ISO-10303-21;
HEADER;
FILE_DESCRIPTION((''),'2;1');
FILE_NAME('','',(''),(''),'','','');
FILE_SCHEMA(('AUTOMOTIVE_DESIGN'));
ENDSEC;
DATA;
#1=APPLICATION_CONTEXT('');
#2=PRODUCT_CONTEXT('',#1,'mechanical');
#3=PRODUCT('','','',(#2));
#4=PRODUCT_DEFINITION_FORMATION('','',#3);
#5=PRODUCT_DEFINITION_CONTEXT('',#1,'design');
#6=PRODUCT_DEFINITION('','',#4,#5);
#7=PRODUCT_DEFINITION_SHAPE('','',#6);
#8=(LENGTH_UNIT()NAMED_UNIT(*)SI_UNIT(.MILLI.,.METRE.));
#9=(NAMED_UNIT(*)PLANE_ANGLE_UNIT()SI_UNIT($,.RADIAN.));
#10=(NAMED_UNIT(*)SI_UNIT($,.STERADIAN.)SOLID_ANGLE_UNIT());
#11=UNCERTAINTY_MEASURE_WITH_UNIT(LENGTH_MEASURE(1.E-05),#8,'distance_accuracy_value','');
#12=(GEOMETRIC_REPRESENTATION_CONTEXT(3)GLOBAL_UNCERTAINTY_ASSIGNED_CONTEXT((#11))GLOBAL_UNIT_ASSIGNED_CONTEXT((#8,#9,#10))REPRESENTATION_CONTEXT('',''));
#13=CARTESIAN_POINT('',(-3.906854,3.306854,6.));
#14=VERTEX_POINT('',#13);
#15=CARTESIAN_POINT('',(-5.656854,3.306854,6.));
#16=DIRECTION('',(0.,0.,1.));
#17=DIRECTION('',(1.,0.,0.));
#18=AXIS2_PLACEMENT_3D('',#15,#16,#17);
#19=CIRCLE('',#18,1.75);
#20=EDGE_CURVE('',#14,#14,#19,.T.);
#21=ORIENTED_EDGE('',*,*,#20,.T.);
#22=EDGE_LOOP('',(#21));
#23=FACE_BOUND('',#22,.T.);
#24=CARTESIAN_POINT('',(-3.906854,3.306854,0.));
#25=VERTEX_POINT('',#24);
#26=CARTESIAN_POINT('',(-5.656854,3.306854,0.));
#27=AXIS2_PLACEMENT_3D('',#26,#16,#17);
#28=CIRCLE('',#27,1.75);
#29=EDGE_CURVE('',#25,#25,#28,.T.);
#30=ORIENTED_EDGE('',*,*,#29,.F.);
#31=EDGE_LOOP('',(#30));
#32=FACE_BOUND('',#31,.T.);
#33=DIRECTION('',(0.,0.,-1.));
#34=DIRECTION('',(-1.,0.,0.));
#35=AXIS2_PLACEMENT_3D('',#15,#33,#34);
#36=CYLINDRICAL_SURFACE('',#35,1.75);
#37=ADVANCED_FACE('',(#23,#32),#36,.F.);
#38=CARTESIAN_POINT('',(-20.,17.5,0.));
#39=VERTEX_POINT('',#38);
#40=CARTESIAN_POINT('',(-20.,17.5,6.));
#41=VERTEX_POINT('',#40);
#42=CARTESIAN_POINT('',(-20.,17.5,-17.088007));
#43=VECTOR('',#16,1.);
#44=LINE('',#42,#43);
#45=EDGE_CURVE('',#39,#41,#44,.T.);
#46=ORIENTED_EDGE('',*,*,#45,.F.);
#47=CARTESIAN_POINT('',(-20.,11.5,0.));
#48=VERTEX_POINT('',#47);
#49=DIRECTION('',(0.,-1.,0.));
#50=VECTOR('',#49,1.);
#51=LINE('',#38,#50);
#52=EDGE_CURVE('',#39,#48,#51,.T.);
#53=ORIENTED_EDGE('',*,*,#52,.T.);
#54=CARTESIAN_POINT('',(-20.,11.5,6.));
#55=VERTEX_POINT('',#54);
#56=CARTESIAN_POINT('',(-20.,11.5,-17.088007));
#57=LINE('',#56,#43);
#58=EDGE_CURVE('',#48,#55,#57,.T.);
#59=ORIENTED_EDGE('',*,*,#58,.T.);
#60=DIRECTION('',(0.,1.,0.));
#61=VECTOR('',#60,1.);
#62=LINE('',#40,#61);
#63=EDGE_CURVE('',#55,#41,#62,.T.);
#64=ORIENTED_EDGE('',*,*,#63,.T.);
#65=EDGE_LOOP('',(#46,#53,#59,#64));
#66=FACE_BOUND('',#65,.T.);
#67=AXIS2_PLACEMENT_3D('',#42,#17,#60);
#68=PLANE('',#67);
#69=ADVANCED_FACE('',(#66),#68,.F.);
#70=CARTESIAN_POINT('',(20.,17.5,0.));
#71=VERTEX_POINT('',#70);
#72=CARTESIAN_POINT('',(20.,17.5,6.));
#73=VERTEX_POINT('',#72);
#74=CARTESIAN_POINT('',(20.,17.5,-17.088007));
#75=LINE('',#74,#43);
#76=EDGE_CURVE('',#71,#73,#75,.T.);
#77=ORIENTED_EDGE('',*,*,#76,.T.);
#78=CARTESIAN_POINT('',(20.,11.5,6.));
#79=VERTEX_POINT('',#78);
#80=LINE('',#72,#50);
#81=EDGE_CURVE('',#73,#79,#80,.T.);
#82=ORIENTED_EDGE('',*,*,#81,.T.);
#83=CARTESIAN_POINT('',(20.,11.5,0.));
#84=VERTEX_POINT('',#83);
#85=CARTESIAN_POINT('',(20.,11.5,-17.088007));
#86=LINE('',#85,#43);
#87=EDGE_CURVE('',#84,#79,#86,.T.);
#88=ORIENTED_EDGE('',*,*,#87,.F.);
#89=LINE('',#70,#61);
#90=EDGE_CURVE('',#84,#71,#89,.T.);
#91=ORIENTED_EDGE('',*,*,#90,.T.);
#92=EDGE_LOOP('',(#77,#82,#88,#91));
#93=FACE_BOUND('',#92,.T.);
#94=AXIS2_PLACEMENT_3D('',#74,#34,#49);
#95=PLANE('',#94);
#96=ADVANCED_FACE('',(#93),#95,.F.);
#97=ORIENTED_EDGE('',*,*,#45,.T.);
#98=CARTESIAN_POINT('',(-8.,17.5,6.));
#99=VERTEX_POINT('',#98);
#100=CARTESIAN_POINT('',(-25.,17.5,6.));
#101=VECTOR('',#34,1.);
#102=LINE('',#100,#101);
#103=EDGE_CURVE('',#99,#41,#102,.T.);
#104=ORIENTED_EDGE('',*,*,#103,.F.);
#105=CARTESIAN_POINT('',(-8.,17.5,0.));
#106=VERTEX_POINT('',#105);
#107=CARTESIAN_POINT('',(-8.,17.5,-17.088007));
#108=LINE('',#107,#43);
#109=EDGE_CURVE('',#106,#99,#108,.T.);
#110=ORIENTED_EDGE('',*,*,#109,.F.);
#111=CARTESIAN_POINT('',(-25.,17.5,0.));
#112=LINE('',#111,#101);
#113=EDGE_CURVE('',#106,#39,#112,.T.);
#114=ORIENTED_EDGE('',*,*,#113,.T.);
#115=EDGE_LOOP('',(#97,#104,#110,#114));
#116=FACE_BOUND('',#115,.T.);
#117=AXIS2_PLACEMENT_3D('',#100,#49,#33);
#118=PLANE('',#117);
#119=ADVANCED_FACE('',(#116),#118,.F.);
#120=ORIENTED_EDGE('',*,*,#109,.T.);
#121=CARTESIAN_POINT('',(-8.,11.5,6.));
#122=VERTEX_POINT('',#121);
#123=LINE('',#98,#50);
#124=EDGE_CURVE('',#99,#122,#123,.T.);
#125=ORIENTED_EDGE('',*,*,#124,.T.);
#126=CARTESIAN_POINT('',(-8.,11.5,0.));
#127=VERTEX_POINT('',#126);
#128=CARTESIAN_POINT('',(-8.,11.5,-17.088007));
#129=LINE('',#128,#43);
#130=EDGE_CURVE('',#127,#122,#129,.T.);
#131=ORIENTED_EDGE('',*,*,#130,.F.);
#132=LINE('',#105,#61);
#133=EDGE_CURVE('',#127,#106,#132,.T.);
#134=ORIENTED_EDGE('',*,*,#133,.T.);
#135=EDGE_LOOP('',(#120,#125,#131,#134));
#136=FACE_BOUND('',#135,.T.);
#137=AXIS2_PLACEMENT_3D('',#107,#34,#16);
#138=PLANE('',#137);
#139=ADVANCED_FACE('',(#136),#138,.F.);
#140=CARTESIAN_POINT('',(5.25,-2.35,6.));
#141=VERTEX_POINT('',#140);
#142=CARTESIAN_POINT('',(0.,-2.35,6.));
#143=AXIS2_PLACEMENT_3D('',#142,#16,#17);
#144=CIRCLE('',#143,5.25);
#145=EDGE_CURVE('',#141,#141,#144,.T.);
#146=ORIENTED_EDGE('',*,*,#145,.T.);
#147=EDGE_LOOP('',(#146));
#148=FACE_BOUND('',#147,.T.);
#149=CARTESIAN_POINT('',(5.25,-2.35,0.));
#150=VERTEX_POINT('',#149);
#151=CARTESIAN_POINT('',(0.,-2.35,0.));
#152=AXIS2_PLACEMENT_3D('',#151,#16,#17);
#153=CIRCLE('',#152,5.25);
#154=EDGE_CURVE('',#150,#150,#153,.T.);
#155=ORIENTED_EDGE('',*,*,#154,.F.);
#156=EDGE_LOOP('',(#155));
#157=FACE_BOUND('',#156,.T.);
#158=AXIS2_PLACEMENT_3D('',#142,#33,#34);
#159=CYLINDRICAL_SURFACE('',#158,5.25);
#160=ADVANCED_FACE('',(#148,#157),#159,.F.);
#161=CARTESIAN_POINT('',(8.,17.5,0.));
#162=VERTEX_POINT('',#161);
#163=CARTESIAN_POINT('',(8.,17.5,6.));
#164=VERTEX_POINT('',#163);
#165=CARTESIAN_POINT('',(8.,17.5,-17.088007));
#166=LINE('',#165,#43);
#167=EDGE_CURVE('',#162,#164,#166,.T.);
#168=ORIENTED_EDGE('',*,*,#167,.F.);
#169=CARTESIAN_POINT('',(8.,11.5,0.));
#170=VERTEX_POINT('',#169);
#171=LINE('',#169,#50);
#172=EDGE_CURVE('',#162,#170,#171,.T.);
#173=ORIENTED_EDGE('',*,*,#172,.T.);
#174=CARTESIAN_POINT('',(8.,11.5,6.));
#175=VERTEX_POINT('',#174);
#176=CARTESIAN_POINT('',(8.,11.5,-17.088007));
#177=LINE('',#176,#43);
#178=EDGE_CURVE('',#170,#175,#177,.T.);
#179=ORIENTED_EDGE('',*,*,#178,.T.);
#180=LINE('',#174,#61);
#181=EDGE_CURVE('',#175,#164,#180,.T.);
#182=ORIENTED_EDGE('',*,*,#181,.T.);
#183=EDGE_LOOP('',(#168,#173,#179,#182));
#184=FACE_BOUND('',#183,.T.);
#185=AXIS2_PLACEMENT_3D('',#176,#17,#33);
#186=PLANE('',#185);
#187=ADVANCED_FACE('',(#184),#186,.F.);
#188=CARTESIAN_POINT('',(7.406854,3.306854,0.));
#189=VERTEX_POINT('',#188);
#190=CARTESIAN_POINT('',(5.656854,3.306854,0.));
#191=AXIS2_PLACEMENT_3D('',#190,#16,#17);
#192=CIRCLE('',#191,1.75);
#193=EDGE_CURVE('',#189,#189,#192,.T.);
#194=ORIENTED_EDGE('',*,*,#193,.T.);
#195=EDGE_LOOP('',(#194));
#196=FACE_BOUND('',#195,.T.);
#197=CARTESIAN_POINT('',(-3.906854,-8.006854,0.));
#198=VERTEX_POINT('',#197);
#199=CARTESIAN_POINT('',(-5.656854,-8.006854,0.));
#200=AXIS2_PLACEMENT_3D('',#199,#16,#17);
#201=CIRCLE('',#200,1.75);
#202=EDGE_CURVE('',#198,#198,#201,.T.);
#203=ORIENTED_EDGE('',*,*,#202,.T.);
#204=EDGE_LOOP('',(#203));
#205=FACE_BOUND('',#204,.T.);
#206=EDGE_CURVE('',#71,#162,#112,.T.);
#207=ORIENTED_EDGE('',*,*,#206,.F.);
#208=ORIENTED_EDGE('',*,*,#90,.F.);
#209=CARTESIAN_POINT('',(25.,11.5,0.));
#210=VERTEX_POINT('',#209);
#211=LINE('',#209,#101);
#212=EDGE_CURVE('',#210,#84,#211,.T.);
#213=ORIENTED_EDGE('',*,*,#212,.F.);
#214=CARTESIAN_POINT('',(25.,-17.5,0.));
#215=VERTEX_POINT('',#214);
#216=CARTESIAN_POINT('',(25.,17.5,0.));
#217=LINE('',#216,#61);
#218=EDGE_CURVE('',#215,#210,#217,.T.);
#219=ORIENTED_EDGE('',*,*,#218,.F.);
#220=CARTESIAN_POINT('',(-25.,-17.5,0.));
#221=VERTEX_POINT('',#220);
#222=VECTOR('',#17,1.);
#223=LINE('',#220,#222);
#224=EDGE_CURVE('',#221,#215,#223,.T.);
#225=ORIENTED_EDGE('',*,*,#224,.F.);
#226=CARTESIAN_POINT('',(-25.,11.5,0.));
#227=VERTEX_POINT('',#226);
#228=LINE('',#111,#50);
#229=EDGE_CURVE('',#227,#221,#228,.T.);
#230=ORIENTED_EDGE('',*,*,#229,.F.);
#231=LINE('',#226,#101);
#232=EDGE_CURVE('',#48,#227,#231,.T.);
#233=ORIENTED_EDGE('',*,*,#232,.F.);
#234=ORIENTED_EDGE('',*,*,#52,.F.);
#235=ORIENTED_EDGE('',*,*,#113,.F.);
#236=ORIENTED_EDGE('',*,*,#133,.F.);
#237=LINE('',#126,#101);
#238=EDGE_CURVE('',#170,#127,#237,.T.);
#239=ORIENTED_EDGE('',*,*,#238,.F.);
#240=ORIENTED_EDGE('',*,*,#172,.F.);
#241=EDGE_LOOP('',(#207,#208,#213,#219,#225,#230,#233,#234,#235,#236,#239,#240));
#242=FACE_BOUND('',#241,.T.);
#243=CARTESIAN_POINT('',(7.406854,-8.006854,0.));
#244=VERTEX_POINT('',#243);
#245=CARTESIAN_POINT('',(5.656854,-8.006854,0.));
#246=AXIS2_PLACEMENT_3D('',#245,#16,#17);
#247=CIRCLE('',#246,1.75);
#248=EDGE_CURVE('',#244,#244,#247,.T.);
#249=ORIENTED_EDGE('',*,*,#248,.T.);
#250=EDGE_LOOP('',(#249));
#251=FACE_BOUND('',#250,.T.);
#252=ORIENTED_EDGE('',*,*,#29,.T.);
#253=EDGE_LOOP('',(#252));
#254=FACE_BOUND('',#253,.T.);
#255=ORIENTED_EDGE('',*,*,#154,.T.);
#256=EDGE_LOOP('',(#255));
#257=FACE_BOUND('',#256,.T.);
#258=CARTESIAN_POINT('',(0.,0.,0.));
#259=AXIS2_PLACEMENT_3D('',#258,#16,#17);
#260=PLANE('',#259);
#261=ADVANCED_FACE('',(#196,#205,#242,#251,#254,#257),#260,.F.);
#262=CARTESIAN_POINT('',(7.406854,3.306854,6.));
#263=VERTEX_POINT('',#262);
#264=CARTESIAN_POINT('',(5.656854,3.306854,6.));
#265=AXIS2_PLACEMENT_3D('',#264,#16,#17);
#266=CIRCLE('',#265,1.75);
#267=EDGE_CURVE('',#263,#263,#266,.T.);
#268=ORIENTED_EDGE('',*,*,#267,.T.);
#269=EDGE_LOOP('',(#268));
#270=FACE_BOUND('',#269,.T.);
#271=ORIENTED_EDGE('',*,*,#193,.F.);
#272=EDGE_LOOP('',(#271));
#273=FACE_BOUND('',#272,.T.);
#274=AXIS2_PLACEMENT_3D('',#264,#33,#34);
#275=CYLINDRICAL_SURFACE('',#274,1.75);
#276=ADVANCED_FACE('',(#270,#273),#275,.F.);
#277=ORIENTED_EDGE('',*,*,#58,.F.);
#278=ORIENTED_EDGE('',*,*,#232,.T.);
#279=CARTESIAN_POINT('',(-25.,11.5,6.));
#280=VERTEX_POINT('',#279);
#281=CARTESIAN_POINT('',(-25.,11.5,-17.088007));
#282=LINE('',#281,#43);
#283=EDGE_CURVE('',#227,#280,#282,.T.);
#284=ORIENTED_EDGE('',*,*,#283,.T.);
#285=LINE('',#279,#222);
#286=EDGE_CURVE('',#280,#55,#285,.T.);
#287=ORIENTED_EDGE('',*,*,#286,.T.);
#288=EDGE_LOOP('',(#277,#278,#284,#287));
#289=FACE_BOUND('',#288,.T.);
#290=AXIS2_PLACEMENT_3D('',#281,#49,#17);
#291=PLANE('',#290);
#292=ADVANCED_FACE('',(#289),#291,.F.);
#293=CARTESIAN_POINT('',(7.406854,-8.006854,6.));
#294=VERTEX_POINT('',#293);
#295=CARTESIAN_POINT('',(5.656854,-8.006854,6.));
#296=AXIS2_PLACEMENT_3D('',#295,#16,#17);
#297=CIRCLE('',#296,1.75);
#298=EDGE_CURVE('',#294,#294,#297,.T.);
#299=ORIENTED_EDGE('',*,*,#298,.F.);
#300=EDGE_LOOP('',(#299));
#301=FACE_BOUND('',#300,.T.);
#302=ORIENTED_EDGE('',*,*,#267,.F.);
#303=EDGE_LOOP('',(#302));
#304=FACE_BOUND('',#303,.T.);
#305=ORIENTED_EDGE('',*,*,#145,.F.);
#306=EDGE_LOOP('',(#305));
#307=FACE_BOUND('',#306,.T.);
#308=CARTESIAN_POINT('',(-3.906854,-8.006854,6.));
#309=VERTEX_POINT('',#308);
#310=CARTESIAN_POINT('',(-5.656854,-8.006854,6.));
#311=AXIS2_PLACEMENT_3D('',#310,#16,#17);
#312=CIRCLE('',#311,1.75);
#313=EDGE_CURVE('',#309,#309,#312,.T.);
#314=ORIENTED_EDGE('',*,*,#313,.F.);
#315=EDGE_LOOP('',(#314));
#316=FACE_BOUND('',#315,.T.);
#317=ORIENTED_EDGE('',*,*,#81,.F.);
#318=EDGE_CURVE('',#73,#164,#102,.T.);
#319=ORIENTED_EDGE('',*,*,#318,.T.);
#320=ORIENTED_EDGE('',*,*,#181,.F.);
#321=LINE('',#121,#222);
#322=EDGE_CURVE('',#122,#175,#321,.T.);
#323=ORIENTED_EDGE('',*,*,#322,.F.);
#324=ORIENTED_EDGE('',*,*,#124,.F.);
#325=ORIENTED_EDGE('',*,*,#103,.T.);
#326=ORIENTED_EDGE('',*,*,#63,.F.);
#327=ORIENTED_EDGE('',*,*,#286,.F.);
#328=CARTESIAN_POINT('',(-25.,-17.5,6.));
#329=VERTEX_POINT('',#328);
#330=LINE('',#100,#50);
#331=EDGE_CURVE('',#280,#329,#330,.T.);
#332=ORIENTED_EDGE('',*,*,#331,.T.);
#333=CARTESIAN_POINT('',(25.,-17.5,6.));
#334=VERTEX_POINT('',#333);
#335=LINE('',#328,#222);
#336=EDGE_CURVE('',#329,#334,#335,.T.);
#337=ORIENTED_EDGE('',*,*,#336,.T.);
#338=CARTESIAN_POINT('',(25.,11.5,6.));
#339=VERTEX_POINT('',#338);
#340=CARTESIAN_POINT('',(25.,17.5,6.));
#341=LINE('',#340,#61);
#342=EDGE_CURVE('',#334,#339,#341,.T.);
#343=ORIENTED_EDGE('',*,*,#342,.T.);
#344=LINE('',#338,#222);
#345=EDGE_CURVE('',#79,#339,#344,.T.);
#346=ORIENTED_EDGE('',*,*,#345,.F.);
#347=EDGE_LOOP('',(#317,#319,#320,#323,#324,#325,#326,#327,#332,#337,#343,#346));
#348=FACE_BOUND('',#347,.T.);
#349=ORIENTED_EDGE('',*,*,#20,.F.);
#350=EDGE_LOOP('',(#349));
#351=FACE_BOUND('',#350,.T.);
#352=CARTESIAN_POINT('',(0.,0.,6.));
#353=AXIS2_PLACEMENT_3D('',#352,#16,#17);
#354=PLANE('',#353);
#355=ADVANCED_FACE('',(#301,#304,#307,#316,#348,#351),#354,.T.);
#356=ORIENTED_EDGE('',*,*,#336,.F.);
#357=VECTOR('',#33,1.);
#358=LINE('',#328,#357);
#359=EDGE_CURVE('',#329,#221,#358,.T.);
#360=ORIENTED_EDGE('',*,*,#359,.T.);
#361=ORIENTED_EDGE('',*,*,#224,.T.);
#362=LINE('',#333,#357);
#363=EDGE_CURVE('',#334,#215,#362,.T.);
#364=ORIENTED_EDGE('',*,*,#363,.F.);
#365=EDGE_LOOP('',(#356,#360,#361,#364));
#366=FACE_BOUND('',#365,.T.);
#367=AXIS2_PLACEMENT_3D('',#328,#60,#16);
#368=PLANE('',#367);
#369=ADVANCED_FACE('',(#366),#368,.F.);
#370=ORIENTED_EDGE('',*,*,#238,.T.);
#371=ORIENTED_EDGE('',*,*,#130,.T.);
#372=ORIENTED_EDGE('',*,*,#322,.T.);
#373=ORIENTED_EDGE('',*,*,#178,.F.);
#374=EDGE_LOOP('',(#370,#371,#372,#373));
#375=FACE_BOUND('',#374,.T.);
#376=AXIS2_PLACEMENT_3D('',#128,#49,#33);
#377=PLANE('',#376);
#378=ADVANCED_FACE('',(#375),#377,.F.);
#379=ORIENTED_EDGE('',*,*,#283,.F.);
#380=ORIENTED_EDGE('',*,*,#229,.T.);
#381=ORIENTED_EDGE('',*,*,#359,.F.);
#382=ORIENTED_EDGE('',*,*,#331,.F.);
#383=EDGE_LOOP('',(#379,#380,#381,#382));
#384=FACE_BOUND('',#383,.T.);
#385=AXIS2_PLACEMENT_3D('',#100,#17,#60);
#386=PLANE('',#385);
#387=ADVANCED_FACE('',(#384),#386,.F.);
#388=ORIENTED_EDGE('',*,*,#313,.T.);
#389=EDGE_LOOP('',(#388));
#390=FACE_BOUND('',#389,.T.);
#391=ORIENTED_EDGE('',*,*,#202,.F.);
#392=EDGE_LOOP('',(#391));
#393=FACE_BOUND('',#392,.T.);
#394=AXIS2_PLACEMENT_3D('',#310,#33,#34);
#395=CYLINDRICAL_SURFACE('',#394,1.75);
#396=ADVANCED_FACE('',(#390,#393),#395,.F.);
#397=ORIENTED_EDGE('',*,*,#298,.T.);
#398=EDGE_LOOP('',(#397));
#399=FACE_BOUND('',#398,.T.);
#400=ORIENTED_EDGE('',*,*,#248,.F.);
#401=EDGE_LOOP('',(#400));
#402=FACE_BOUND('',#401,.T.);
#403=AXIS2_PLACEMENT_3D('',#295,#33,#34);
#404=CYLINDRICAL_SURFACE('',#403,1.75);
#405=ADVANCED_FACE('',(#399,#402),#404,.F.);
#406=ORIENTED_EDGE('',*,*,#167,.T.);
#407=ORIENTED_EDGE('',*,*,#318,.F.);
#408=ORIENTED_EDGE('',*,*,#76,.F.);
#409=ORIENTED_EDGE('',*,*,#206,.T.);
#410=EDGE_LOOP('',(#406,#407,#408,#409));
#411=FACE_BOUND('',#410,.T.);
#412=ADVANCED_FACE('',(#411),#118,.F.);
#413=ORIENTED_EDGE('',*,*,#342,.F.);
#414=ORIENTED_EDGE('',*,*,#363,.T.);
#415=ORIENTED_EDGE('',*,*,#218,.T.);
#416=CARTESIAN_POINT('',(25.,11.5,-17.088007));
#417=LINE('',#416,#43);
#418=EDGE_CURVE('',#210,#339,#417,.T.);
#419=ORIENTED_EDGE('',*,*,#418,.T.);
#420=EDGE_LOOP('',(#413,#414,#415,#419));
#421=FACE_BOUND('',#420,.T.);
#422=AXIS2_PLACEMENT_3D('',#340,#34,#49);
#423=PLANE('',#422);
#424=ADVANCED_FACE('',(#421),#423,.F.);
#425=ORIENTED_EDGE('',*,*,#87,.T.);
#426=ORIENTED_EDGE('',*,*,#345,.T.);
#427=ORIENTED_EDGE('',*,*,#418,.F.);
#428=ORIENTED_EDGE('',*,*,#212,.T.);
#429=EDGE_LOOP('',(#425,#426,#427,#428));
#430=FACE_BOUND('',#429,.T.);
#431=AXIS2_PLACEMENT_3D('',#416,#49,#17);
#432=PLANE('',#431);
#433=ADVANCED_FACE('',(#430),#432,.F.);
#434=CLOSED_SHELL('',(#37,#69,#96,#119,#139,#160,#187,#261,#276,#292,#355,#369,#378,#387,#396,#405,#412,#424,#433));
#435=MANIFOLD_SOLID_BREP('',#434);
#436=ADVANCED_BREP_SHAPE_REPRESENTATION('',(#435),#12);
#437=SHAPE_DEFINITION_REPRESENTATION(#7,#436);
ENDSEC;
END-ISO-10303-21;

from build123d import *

# Parameters (mm, degrees)
ESBO_O1_W                = 50
ESBO_O1_H                = 35
ESBO_O1_R                = 5.25
ESBO_O1_R_2              = 1.75
RESSALTO_EXTRUS_O1_DEPTH = 6
ESBO_O2_W                = 16
ESBO_O2_H                = 6
ESBO_O2_W_2              = 5
CORTE_EXTRUS_O1_DEPTH    = 6


with BuildPart() as part:
    # Esboço1 → Ressalto-extrusão1 (new body)
    with BuildSketch(Plane.XY):
        Rectangle(ESBO_O1_W, ESBO_O1_H)
        with Locations((0, -2.35)):
            Circle(ESBO_O1_R, mode=Mode.SUBTRACT)
        with Locations((5.656854249, 3.306854249)):
            Circle(ESBO_O1_R_2, mode=Mode.SUBTRACT)
        with Locations((-5.656854249, 3.306854249)):
            Circle(ESBO_O1_R_2, mode=Mode.SUBTRACT)
        with Locations((-5.656854249, -8.006854249)):
            Circle(ESBO_O1_R_2, mode=Mode.SUBTRACT)
        with Locations((5.656854249, -8.006854249)):
            Circle(ESBO_O1_R_2, mode=Mode.SUBTRACT)
    extrude(amount=RESSALTO_EXTRUS_O1_DEPTH)

    # Esboço2 → Corte-extrusão1 (cut)
    with BuildSketch(Plane.XY.offset(6)):
        with Locations((0, 14.5)):
            Rectangle(ESBO_O2_W, ESBO_O2_H)
        with Locations((-22.5, 14.5)):
            Rectangle(ESBO_O2_W_2, ESBO_O2_H)
        with Locations((22.5, 14.5)):
            Rectangle(ESBO_O2_W_2, ESBO_O2_H)
    extrude(amount=-CORTE_EXTRUS_O1_DEPTH, mode=Mode.SUBTRACT)


solid = part.part
